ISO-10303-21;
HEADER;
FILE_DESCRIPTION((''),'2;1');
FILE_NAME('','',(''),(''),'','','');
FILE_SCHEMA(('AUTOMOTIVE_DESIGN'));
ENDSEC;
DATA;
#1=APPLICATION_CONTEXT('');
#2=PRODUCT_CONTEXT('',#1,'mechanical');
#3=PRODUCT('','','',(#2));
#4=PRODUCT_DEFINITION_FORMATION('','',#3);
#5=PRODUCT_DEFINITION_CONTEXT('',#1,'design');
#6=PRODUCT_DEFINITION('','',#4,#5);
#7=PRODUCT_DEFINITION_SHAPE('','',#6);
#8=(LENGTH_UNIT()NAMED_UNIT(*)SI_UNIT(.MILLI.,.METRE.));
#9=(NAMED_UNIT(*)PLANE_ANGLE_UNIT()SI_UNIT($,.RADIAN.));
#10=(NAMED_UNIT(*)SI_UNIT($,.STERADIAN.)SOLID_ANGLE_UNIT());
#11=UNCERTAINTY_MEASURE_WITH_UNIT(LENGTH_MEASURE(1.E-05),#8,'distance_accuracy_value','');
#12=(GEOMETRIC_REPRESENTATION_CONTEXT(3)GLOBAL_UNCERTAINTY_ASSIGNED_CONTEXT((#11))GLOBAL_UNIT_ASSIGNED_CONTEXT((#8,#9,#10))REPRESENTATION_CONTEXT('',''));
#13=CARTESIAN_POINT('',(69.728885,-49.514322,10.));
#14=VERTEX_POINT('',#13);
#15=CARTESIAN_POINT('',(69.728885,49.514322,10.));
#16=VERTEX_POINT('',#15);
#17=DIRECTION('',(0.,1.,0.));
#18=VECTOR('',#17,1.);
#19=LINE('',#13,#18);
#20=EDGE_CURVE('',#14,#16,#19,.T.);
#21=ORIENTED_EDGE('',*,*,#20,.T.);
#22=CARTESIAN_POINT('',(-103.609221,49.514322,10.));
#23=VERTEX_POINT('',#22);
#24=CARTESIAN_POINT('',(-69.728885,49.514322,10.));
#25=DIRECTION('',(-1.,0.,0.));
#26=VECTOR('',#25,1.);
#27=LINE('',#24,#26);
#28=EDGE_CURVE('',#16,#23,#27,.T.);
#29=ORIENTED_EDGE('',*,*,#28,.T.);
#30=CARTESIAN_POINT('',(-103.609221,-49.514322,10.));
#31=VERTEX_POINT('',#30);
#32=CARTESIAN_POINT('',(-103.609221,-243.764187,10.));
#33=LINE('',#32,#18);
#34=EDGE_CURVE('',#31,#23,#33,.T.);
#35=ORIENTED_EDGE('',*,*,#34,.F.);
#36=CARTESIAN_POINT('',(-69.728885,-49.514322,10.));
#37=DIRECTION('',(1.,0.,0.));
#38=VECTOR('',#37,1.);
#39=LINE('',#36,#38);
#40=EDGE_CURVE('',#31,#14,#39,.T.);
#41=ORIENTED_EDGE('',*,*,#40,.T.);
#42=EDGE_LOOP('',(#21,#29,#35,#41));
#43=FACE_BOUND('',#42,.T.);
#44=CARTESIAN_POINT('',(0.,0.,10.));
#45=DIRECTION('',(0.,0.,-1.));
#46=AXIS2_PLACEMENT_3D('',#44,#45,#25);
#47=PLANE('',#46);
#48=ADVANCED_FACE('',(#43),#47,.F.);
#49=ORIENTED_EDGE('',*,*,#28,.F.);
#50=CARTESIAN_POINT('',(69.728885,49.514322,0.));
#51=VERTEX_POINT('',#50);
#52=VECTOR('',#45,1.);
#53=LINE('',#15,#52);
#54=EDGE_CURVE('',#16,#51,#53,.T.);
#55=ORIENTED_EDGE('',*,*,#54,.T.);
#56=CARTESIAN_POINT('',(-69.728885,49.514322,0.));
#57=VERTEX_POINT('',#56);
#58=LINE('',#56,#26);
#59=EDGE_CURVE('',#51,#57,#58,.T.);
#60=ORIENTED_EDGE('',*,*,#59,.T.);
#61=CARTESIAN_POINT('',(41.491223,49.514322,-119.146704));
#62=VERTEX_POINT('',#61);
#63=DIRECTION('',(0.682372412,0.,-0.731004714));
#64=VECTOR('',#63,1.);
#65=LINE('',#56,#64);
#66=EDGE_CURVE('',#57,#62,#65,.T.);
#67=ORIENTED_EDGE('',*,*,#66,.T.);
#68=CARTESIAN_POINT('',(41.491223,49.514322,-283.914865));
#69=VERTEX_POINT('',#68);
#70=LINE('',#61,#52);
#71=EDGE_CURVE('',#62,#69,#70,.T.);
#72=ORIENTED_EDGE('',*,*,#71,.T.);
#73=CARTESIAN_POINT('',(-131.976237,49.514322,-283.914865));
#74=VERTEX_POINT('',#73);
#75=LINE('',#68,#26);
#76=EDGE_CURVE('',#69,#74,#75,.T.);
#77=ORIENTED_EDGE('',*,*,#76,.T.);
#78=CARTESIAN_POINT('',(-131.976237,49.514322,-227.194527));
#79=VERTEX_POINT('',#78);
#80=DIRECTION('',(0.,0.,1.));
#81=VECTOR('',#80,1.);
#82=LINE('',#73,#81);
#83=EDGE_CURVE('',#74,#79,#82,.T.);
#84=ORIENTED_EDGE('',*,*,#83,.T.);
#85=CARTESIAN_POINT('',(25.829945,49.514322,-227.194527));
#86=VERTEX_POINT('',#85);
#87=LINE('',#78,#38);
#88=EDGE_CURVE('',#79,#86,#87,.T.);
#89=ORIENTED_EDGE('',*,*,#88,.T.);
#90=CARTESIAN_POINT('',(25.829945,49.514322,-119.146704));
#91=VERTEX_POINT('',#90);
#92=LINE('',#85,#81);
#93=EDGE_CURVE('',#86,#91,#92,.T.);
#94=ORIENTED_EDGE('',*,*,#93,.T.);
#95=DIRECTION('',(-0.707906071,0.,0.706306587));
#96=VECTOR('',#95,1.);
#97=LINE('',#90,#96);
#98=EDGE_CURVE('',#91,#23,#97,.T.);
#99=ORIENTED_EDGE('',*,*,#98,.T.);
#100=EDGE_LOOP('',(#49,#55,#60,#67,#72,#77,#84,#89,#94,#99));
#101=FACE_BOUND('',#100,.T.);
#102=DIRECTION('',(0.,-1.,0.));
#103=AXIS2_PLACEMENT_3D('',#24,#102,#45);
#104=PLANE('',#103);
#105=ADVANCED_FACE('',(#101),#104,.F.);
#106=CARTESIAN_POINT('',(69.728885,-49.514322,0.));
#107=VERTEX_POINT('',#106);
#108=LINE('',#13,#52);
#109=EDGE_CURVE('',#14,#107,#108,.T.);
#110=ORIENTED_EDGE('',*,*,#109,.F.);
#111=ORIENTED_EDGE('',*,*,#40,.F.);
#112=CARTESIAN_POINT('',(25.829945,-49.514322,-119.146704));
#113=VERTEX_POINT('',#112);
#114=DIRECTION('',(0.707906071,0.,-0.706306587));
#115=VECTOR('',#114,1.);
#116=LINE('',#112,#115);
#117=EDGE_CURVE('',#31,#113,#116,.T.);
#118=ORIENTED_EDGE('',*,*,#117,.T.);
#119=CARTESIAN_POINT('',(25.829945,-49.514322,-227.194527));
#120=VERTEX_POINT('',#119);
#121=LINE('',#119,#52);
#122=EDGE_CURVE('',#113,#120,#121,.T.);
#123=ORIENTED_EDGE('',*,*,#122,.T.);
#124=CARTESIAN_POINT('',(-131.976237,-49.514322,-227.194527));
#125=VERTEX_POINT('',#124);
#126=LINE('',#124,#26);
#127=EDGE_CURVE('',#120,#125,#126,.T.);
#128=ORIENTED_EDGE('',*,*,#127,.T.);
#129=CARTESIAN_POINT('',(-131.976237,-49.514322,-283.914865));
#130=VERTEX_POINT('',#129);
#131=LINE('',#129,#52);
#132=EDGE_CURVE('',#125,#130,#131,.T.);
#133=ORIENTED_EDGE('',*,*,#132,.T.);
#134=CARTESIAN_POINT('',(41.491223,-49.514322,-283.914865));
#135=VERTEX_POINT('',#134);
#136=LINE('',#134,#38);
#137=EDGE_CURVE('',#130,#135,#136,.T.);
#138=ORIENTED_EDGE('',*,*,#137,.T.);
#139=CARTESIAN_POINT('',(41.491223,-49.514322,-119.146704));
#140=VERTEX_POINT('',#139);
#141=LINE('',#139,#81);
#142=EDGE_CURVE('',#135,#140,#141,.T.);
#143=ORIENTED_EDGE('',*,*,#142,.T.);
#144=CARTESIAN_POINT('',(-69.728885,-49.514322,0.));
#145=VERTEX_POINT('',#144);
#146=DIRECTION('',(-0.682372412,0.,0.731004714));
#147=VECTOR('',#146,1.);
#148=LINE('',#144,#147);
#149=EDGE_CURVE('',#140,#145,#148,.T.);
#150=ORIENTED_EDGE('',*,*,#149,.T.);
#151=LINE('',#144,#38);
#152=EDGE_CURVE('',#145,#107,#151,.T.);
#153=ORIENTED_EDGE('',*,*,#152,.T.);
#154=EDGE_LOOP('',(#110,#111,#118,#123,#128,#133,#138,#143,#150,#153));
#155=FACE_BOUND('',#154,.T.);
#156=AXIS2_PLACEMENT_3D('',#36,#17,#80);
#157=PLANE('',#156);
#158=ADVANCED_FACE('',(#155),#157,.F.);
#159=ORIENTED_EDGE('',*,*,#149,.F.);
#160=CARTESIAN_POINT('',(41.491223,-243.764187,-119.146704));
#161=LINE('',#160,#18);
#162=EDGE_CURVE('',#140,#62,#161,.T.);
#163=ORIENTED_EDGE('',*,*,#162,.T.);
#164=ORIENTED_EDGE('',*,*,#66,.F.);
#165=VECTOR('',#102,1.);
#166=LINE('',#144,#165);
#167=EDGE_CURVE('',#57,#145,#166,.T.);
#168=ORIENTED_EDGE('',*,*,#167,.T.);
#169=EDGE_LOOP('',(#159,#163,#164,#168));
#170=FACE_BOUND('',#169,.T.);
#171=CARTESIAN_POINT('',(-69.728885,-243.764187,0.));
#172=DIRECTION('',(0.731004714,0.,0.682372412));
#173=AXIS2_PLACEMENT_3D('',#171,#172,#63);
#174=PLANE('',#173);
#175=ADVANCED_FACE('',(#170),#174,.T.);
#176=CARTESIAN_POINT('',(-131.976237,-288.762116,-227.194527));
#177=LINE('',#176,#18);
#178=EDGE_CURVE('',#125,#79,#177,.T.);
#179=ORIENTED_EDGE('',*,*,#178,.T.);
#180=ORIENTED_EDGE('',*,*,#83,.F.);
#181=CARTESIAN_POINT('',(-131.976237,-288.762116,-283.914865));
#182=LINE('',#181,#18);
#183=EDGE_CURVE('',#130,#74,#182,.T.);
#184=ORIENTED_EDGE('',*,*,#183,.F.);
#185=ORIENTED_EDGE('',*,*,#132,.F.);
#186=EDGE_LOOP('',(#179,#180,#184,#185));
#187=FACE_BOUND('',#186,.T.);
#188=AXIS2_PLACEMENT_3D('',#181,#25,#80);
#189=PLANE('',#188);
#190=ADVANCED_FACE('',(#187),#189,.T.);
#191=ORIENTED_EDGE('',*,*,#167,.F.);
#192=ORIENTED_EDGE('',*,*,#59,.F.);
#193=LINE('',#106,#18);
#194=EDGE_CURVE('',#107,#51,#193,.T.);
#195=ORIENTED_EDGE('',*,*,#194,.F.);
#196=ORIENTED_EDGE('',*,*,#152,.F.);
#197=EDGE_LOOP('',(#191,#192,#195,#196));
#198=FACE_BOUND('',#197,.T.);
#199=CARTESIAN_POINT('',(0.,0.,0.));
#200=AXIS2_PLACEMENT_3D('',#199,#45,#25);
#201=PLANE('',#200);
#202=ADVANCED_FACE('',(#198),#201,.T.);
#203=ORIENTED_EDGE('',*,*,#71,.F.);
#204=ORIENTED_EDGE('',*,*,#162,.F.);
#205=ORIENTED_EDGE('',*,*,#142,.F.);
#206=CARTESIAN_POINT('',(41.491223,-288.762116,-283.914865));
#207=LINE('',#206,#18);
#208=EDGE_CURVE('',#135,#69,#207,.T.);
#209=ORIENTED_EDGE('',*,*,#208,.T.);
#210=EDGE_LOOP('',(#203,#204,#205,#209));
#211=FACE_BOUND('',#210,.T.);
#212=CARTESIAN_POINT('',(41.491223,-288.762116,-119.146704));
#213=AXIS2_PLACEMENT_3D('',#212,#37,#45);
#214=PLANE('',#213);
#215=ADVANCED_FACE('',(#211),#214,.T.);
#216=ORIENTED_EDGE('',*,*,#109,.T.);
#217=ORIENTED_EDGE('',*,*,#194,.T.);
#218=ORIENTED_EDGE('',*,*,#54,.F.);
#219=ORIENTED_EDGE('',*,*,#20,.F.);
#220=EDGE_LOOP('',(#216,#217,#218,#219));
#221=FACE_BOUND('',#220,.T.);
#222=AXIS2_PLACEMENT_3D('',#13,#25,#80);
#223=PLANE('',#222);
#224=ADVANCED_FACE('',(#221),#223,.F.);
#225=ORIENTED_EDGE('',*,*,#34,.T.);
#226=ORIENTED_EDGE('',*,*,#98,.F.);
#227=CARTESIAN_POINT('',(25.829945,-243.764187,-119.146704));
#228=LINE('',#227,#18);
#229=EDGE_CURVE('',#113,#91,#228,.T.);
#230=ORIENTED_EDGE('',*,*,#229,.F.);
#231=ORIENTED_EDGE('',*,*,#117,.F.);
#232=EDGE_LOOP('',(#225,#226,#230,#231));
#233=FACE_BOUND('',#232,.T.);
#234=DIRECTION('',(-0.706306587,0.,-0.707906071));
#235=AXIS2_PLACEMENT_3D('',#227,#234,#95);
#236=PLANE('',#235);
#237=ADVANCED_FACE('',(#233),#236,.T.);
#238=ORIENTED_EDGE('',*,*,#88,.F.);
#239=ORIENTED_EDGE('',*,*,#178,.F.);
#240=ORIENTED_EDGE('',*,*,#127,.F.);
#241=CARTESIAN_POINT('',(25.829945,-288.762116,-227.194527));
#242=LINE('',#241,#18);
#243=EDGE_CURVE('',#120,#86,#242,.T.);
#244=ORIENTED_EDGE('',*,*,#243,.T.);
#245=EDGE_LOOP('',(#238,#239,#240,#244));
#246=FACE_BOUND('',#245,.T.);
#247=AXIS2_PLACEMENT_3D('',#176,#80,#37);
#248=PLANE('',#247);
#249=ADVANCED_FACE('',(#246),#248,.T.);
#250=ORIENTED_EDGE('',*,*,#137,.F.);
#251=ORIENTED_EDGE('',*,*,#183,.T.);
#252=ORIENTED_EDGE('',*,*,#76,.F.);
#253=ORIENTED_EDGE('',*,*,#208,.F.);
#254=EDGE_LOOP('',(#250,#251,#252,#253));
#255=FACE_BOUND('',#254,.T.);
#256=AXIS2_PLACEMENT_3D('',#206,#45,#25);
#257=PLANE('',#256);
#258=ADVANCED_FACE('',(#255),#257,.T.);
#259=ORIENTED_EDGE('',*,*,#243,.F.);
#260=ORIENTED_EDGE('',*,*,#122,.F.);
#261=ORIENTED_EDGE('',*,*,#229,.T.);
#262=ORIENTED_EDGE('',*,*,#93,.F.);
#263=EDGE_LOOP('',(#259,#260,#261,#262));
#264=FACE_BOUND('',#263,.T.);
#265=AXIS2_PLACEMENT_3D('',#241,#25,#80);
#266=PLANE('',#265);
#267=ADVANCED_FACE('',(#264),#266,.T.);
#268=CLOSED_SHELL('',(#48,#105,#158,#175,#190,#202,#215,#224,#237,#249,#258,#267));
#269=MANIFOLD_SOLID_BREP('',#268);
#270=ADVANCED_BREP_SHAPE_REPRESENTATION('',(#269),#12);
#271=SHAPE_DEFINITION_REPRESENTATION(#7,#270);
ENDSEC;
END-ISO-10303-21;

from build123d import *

# Parameters (mm, degrees)
SKETCH1_W           = 139.457769838
SKETCH1_H           = 99.02864438
BOSS_EXTRUDE1_DEPTH = 10
BOSS_EXTRUDE2_DEPTH = 99.028644381
BOSS_EXTRUDE3_DEPTH = 99.028644381


with BuildPart() as part:
    # Sketch1 → Boss-Extrude1 (new body)
    with BuildSketch(Plane.XY):
        Rectangle(SKETCH1_W, SKETCH1_H)
    extrude(amount=BOSS_EXTRUDE1_DEPTH)

    # Sketch2 → Boss-Extrude2 (add)
    with BuildSketch(Plane(origin=(0, 49.51432219, 0), x_dir=(1, 0, 0), z_dir=(0, 1, 0))):
        Polygon((-69.728884919, 0), (41.491223437, 119.146703645), (25.829944634, 119.146703645), (-103.609221326, -10), (-69.728884919, -10), align=None)
    extrude(amount=-BOSS_EXTRUDE2_DEPTH)

    # Sketch3 → Boss-Extrude3 (add)
    with BuildSketch(Plane(origin=(0, 49.51432219, 0), x_dir=(1, 0, 0), z_dir=(0, 1, 0))):
        Polygon((41.491223437, 119.146703645), (41.491223437, 283.914864742), (-131.976237247, 283.914864742), (-131.976237247, 227.19452677), (25.829944634, 227.19452677), (25.829944634, 119.146703645), align=None)
    extrude(amount=-BOSS_EXTRUDE3_DEPTH)


solid = part.part
